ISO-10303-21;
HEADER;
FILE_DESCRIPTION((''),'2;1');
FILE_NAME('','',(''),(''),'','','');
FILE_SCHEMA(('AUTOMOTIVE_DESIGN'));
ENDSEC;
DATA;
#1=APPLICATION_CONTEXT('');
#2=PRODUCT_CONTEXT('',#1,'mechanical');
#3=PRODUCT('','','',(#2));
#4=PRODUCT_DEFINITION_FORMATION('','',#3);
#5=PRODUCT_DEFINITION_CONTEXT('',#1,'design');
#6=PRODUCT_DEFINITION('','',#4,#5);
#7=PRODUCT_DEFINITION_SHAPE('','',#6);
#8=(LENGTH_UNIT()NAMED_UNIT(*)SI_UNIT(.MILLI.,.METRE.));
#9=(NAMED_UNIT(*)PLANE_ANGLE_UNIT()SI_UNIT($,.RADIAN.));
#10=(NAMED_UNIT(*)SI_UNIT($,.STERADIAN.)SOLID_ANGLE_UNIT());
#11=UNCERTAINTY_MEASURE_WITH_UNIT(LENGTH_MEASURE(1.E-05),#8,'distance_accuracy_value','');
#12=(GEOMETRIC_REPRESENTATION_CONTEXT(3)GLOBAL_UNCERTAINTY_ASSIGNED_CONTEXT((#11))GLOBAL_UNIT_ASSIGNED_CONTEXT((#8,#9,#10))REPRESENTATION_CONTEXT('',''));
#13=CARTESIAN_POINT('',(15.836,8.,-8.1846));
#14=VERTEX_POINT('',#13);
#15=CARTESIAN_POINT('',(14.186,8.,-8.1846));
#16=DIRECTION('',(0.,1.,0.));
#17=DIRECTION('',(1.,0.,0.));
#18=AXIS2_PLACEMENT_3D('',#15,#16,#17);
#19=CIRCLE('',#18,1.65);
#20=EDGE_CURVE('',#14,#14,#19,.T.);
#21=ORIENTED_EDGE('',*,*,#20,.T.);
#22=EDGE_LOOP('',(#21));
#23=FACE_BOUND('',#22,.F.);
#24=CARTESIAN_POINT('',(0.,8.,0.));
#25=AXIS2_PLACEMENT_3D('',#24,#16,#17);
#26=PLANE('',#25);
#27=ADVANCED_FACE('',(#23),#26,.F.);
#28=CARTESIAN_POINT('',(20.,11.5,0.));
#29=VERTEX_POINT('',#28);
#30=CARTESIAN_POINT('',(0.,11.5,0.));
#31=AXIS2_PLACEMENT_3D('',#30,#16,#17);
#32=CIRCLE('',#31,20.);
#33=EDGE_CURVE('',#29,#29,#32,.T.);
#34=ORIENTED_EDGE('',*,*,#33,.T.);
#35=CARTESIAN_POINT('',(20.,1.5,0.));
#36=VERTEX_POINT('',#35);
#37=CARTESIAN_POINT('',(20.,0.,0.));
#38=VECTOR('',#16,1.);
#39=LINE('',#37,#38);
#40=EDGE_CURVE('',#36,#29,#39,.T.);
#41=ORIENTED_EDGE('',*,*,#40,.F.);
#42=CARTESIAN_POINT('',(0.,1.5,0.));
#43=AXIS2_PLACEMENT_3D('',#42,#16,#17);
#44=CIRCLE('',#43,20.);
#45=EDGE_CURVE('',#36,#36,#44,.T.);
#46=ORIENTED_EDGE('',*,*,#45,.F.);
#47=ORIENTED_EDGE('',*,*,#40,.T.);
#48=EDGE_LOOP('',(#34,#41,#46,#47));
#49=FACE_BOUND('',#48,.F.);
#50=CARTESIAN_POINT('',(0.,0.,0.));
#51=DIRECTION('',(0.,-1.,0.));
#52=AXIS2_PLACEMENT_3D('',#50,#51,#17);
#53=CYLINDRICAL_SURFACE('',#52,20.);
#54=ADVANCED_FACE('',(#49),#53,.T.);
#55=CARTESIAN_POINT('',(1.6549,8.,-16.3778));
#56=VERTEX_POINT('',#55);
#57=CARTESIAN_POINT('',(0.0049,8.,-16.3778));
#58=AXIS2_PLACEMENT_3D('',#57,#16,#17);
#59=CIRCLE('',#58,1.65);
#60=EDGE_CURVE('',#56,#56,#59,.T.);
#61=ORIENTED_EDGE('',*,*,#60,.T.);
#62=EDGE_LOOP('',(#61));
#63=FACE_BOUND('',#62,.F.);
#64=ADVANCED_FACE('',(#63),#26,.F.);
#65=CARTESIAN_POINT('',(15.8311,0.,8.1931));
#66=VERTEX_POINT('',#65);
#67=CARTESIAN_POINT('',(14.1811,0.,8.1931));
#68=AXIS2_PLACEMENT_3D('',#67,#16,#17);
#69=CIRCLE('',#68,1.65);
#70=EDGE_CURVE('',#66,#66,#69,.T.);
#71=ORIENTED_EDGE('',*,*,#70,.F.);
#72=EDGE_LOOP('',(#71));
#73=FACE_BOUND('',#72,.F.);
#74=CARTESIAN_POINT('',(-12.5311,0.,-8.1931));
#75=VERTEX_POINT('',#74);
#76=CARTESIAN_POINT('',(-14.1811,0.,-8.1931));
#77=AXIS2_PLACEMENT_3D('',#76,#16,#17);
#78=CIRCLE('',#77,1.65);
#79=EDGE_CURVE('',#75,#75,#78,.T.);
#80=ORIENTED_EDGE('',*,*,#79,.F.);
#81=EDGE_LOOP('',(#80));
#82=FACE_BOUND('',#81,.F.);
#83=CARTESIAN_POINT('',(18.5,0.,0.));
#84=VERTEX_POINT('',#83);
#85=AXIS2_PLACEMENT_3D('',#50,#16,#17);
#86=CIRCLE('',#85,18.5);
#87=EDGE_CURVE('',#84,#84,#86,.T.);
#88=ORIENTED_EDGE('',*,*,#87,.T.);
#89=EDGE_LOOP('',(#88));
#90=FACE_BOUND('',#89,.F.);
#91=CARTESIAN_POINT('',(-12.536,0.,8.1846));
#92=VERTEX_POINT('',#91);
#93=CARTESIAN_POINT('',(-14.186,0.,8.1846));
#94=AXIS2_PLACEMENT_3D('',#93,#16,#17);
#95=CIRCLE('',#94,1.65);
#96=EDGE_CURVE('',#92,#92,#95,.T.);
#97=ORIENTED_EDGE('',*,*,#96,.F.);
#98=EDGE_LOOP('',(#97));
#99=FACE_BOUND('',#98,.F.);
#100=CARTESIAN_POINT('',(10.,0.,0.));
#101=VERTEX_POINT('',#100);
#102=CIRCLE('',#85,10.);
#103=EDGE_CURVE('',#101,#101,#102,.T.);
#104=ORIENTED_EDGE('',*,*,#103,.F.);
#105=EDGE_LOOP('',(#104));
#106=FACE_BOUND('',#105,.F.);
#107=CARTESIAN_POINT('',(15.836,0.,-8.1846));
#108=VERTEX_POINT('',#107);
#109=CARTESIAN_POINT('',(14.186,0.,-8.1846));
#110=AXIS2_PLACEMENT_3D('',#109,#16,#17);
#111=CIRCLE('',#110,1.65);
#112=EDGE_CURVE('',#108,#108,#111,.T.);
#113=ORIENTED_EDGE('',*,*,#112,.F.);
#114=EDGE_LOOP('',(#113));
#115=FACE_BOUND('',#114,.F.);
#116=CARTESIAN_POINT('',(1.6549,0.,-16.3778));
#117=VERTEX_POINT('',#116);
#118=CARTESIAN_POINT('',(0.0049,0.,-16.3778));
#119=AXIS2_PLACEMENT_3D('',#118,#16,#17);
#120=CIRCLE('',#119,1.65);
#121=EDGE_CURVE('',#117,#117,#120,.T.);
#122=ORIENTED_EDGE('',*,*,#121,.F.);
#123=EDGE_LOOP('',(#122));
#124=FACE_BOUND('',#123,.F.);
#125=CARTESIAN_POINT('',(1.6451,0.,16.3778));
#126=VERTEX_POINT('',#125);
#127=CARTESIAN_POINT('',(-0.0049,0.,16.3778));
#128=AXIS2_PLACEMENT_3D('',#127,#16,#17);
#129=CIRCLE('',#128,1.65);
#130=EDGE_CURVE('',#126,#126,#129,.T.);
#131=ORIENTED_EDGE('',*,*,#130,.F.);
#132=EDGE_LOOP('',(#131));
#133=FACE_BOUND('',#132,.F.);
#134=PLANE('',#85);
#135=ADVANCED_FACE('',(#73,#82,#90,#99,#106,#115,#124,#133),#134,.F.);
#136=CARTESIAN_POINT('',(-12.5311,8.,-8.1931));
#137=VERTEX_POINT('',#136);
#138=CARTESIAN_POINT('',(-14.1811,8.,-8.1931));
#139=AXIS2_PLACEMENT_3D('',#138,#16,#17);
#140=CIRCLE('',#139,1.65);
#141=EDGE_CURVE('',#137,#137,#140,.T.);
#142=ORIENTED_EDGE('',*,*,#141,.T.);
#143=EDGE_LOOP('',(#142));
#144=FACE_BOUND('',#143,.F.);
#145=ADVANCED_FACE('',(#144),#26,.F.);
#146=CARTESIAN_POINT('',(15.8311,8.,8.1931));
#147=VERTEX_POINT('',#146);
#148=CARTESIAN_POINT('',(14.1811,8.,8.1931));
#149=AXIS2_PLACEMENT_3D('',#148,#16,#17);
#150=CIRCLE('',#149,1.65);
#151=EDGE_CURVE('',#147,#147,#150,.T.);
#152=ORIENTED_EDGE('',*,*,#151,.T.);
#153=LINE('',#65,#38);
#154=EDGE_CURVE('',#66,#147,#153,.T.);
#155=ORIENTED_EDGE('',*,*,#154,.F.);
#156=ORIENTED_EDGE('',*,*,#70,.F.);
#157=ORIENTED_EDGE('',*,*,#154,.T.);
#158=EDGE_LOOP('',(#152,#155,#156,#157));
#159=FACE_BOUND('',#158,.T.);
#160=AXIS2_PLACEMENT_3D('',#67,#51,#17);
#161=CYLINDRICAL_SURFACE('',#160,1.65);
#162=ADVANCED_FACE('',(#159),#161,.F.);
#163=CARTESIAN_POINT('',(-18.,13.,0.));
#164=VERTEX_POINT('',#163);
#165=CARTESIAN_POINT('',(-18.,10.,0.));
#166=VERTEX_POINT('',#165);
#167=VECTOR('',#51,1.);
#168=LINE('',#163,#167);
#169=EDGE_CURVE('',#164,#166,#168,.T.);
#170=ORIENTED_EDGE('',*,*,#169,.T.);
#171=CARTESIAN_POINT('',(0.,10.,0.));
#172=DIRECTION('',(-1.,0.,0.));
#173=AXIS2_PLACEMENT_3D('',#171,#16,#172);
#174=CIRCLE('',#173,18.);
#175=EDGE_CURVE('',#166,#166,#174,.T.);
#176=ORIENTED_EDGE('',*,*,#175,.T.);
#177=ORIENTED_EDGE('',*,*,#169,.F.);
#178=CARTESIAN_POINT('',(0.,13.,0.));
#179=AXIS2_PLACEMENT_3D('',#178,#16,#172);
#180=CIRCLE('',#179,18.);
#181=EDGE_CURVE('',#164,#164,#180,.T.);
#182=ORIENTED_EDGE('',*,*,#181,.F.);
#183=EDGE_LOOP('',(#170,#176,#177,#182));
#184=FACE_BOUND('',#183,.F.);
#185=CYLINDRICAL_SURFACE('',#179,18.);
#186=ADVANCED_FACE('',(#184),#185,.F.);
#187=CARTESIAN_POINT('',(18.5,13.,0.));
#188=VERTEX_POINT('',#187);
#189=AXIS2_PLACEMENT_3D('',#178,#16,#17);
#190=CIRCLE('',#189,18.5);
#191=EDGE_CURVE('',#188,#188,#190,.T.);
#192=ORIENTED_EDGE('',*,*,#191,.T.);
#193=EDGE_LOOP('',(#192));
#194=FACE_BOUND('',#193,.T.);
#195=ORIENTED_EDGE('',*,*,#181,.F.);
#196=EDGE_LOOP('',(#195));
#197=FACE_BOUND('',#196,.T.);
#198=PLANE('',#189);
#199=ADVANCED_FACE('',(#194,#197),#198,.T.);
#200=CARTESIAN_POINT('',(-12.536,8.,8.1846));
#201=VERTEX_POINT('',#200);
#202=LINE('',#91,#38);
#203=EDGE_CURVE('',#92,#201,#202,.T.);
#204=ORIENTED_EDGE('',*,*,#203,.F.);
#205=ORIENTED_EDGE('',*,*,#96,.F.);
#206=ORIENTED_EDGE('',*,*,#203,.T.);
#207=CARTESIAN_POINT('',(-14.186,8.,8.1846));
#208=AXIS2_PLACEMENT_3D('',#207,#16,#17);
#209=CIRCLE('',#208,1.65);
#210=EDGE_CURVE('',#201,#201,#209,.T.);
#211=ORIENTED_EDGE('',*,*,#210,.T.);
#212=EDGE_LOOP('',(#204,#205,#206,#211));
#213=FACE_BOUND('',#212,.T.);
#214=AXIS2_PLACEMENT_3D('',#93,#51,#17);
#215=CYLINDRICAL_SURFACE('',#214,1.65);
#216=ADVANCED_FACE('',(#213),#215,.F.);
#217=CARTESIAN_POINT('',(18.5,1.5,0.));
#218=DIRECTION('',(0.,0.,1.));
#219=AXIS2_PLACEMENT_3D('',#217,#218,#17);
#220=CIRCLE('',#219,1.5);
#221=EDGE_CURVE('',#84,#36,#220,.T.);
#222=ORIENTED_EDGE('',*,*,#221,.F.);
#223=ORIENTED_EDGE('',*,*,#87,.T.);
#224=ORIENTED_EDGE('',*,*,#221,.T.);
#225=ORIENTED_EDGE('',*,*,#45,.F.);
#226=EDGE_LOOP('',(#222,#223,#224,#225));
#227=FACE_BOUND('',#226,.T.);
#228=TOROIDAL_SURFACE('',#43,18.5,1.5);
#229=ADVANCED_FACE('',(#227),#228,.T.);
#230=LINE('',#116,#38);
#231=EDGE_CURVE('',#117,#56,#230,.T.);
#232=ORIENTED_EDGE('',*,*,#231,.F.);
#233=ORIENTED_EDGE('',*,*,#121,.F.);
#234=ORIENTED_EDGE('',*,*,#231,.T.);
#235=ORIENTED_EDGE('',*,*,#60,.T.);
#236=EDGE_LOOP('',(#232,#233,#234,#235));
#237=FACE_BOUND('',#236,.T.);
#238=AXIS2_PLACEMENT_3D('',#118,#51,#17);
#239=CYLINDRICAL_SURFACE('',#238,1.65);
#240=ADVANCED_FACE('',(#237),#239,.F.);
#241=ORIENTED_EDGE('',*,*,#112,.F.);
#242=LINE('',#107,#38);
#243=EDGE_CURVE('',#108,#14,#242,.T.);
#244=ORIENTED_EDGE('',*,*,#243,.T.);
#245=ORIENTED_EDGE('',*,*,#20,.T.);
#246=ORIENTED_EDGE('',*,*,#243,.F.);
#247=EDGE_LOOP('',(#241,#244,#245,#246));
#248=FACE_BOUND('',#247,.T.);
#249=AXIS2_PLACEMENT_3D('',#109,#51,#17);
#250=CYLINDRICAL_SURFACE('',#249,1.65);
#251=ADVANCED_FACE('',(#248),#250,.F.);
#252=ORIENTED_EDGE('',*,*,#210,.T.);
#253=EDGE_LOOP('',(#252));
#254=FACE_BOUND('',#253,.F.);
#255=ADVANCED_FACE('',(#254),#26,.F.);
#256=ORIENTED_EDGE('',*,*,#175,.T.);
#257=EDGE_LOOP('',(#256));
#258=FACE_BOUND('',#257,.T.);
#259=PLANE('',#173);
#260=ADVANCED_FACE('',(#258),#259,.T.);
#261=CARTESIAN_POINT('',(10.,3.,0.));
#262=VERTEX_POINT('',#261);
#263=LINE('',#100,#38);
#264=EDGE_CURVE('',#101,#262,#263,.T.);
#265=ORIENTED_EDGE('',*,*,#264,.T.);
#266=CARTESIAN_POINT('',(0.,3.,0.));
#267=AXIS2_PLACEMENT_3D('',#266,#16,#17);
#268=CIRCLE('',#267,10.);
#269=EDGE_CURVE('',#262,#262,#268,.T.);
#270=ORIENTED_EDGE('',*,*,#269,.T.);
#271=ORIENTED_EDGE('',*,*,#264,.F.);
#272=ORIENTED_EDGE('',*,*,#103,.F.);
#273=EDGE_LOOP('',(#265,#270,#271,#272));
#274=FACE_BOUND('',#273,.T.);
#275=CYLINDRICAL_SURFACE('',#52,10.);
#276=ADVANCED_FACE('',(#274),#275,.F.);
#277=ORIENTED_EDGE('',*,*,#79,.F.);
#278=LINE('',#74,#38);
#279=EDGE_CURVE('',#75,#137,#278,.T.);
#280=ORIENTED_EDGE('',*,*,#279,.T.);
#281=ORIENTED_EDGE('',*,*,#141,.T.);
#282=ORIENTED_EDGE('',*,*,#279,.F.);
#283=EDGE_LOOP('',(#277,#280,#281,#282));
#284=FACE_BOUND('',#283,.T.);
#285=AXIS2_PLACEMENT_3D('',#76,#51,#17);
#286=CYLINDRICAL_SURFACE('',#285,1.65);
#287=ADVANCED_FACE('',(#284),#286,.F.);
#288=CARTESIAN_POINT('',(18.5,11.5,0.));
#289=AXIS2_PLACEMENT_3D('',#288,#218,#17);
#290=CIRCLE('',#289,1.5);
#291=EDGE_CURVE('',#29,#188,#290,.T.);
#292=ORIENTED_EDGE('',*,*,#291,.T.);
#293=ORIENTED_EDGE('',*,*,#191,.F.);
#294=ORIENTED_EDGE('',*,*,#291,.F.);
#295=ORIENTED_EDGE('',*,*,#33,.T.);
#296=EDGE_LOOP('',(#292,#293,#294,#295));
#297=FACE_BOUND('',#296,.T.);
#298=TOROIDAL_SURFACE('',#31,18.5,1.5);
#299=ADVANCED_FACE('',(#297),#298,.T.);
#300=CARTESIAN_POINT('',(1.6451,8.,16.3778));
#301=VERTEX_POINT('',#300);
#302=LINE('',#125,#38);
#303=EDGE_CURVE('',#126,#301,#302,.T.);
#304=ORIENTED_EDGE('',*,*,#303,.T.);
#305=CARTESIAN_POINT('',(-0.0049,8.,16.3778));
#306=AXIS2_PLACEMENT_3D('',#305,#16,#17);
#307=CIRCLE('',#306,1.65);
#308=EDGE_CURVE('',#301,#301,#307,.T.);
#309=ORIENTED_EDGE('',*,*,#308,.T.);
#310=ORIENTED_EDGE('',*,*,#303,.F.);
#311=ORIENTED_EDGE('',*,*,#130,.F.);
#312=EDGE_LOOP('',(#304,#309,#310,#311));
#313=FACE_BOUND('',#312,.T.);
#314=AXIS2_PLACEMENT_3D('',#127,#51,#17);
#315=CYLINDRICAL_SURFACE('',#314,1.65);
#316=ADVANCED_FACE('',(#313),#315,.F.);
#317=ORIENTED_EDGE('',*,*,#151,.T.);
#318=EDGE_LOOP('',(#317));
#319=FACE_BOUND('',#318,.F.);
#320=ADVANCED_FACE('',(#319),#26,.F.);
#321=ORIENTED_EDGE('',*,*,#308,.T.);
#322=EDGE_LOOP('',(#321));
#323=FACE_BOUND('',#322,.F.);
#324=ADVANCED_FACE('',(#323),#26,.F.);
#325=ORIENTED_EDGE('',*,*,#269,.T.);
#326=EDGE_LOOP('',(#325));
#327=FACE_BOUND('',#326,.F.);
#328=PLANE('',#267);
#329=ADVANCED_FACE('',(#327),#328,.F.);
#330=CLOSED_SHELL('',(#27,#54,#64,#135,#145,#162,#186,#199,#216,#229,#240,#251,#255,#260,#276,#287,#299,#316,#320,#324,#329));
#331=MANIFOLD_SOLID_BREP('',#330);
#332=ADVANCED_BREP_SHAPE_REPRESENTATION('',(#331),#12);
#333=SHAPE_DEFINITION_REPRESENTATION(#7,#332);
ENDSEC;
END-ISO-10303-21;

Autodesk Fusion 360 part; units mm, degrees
sketch "Sketch1" plane through (0, 0, 0) normal (0, 1, 0) x (1, 0, 0)
  circle A0 centre (0, 0) radius 10
  circle A1 centre (0, 0) radius 20
  circle A2 centre (0, 0) radius 18.0278 construction
  circle A3 centre (-0.0049, -16.3778) radius 1.65
  line L0 (0, -22) -> (0, 22) construction
  line L1 (-25, 0) -> (28, 0) construction
  circle A4 centre (0, 0) radius 10
  circle A5 centre (0, 0) radius 10
  circle A6 centre (14.1811, -8.1931) radius 1.65
  circle A7 centre (14.186, 8.1846) radius 1.65
  circle A8 centre (0.0049, 16.3778) radius 1.65
  circle A9 centre (-14.1811, 8.1931) radius 1.65
  circle A10 centre (-14.186, -8.1846) radius 1.65
  point P0 (-0.0049, -16.3778)
  point P1 (-0.0049, 16.3778)
  dimension "d1" = 20
  dimension "d2" = 40
  dimension "d3" = 3.3
  dimension "d16" = 360
extrude "Extrude1" add sketch "Sketch1" along normal blind 13 contours A0 A4 A5 | A1 | A3 | A6 | A7 | A8 | A9 | A10
extrude "Extrude3" cut sketch "Sketch1" along normal blind 3 contours A0 A4 A5
fillet "Fillet1" radius 1.5 2 edges at (-18.6465, 0, 7.2323) (-18.6465, 13, 7.2323)
extrude "Extrude4" cut sketch "Sketch1" along normal blind 8 contours A3 | A6 | A7 | A8 | A9 | A10
sketch "Sketch2" plane through (0, 13, 0) normal (0, 1, 0) x (-1, 0, 0)
  circle A0 centre (0, 0) radius 18.5
  circle A1 centre (0, 0) radius 18
  dimension "d17" = 36
extrude "Extrude5" cut sketch "Sketch2" against normal blind 3 contours A1
